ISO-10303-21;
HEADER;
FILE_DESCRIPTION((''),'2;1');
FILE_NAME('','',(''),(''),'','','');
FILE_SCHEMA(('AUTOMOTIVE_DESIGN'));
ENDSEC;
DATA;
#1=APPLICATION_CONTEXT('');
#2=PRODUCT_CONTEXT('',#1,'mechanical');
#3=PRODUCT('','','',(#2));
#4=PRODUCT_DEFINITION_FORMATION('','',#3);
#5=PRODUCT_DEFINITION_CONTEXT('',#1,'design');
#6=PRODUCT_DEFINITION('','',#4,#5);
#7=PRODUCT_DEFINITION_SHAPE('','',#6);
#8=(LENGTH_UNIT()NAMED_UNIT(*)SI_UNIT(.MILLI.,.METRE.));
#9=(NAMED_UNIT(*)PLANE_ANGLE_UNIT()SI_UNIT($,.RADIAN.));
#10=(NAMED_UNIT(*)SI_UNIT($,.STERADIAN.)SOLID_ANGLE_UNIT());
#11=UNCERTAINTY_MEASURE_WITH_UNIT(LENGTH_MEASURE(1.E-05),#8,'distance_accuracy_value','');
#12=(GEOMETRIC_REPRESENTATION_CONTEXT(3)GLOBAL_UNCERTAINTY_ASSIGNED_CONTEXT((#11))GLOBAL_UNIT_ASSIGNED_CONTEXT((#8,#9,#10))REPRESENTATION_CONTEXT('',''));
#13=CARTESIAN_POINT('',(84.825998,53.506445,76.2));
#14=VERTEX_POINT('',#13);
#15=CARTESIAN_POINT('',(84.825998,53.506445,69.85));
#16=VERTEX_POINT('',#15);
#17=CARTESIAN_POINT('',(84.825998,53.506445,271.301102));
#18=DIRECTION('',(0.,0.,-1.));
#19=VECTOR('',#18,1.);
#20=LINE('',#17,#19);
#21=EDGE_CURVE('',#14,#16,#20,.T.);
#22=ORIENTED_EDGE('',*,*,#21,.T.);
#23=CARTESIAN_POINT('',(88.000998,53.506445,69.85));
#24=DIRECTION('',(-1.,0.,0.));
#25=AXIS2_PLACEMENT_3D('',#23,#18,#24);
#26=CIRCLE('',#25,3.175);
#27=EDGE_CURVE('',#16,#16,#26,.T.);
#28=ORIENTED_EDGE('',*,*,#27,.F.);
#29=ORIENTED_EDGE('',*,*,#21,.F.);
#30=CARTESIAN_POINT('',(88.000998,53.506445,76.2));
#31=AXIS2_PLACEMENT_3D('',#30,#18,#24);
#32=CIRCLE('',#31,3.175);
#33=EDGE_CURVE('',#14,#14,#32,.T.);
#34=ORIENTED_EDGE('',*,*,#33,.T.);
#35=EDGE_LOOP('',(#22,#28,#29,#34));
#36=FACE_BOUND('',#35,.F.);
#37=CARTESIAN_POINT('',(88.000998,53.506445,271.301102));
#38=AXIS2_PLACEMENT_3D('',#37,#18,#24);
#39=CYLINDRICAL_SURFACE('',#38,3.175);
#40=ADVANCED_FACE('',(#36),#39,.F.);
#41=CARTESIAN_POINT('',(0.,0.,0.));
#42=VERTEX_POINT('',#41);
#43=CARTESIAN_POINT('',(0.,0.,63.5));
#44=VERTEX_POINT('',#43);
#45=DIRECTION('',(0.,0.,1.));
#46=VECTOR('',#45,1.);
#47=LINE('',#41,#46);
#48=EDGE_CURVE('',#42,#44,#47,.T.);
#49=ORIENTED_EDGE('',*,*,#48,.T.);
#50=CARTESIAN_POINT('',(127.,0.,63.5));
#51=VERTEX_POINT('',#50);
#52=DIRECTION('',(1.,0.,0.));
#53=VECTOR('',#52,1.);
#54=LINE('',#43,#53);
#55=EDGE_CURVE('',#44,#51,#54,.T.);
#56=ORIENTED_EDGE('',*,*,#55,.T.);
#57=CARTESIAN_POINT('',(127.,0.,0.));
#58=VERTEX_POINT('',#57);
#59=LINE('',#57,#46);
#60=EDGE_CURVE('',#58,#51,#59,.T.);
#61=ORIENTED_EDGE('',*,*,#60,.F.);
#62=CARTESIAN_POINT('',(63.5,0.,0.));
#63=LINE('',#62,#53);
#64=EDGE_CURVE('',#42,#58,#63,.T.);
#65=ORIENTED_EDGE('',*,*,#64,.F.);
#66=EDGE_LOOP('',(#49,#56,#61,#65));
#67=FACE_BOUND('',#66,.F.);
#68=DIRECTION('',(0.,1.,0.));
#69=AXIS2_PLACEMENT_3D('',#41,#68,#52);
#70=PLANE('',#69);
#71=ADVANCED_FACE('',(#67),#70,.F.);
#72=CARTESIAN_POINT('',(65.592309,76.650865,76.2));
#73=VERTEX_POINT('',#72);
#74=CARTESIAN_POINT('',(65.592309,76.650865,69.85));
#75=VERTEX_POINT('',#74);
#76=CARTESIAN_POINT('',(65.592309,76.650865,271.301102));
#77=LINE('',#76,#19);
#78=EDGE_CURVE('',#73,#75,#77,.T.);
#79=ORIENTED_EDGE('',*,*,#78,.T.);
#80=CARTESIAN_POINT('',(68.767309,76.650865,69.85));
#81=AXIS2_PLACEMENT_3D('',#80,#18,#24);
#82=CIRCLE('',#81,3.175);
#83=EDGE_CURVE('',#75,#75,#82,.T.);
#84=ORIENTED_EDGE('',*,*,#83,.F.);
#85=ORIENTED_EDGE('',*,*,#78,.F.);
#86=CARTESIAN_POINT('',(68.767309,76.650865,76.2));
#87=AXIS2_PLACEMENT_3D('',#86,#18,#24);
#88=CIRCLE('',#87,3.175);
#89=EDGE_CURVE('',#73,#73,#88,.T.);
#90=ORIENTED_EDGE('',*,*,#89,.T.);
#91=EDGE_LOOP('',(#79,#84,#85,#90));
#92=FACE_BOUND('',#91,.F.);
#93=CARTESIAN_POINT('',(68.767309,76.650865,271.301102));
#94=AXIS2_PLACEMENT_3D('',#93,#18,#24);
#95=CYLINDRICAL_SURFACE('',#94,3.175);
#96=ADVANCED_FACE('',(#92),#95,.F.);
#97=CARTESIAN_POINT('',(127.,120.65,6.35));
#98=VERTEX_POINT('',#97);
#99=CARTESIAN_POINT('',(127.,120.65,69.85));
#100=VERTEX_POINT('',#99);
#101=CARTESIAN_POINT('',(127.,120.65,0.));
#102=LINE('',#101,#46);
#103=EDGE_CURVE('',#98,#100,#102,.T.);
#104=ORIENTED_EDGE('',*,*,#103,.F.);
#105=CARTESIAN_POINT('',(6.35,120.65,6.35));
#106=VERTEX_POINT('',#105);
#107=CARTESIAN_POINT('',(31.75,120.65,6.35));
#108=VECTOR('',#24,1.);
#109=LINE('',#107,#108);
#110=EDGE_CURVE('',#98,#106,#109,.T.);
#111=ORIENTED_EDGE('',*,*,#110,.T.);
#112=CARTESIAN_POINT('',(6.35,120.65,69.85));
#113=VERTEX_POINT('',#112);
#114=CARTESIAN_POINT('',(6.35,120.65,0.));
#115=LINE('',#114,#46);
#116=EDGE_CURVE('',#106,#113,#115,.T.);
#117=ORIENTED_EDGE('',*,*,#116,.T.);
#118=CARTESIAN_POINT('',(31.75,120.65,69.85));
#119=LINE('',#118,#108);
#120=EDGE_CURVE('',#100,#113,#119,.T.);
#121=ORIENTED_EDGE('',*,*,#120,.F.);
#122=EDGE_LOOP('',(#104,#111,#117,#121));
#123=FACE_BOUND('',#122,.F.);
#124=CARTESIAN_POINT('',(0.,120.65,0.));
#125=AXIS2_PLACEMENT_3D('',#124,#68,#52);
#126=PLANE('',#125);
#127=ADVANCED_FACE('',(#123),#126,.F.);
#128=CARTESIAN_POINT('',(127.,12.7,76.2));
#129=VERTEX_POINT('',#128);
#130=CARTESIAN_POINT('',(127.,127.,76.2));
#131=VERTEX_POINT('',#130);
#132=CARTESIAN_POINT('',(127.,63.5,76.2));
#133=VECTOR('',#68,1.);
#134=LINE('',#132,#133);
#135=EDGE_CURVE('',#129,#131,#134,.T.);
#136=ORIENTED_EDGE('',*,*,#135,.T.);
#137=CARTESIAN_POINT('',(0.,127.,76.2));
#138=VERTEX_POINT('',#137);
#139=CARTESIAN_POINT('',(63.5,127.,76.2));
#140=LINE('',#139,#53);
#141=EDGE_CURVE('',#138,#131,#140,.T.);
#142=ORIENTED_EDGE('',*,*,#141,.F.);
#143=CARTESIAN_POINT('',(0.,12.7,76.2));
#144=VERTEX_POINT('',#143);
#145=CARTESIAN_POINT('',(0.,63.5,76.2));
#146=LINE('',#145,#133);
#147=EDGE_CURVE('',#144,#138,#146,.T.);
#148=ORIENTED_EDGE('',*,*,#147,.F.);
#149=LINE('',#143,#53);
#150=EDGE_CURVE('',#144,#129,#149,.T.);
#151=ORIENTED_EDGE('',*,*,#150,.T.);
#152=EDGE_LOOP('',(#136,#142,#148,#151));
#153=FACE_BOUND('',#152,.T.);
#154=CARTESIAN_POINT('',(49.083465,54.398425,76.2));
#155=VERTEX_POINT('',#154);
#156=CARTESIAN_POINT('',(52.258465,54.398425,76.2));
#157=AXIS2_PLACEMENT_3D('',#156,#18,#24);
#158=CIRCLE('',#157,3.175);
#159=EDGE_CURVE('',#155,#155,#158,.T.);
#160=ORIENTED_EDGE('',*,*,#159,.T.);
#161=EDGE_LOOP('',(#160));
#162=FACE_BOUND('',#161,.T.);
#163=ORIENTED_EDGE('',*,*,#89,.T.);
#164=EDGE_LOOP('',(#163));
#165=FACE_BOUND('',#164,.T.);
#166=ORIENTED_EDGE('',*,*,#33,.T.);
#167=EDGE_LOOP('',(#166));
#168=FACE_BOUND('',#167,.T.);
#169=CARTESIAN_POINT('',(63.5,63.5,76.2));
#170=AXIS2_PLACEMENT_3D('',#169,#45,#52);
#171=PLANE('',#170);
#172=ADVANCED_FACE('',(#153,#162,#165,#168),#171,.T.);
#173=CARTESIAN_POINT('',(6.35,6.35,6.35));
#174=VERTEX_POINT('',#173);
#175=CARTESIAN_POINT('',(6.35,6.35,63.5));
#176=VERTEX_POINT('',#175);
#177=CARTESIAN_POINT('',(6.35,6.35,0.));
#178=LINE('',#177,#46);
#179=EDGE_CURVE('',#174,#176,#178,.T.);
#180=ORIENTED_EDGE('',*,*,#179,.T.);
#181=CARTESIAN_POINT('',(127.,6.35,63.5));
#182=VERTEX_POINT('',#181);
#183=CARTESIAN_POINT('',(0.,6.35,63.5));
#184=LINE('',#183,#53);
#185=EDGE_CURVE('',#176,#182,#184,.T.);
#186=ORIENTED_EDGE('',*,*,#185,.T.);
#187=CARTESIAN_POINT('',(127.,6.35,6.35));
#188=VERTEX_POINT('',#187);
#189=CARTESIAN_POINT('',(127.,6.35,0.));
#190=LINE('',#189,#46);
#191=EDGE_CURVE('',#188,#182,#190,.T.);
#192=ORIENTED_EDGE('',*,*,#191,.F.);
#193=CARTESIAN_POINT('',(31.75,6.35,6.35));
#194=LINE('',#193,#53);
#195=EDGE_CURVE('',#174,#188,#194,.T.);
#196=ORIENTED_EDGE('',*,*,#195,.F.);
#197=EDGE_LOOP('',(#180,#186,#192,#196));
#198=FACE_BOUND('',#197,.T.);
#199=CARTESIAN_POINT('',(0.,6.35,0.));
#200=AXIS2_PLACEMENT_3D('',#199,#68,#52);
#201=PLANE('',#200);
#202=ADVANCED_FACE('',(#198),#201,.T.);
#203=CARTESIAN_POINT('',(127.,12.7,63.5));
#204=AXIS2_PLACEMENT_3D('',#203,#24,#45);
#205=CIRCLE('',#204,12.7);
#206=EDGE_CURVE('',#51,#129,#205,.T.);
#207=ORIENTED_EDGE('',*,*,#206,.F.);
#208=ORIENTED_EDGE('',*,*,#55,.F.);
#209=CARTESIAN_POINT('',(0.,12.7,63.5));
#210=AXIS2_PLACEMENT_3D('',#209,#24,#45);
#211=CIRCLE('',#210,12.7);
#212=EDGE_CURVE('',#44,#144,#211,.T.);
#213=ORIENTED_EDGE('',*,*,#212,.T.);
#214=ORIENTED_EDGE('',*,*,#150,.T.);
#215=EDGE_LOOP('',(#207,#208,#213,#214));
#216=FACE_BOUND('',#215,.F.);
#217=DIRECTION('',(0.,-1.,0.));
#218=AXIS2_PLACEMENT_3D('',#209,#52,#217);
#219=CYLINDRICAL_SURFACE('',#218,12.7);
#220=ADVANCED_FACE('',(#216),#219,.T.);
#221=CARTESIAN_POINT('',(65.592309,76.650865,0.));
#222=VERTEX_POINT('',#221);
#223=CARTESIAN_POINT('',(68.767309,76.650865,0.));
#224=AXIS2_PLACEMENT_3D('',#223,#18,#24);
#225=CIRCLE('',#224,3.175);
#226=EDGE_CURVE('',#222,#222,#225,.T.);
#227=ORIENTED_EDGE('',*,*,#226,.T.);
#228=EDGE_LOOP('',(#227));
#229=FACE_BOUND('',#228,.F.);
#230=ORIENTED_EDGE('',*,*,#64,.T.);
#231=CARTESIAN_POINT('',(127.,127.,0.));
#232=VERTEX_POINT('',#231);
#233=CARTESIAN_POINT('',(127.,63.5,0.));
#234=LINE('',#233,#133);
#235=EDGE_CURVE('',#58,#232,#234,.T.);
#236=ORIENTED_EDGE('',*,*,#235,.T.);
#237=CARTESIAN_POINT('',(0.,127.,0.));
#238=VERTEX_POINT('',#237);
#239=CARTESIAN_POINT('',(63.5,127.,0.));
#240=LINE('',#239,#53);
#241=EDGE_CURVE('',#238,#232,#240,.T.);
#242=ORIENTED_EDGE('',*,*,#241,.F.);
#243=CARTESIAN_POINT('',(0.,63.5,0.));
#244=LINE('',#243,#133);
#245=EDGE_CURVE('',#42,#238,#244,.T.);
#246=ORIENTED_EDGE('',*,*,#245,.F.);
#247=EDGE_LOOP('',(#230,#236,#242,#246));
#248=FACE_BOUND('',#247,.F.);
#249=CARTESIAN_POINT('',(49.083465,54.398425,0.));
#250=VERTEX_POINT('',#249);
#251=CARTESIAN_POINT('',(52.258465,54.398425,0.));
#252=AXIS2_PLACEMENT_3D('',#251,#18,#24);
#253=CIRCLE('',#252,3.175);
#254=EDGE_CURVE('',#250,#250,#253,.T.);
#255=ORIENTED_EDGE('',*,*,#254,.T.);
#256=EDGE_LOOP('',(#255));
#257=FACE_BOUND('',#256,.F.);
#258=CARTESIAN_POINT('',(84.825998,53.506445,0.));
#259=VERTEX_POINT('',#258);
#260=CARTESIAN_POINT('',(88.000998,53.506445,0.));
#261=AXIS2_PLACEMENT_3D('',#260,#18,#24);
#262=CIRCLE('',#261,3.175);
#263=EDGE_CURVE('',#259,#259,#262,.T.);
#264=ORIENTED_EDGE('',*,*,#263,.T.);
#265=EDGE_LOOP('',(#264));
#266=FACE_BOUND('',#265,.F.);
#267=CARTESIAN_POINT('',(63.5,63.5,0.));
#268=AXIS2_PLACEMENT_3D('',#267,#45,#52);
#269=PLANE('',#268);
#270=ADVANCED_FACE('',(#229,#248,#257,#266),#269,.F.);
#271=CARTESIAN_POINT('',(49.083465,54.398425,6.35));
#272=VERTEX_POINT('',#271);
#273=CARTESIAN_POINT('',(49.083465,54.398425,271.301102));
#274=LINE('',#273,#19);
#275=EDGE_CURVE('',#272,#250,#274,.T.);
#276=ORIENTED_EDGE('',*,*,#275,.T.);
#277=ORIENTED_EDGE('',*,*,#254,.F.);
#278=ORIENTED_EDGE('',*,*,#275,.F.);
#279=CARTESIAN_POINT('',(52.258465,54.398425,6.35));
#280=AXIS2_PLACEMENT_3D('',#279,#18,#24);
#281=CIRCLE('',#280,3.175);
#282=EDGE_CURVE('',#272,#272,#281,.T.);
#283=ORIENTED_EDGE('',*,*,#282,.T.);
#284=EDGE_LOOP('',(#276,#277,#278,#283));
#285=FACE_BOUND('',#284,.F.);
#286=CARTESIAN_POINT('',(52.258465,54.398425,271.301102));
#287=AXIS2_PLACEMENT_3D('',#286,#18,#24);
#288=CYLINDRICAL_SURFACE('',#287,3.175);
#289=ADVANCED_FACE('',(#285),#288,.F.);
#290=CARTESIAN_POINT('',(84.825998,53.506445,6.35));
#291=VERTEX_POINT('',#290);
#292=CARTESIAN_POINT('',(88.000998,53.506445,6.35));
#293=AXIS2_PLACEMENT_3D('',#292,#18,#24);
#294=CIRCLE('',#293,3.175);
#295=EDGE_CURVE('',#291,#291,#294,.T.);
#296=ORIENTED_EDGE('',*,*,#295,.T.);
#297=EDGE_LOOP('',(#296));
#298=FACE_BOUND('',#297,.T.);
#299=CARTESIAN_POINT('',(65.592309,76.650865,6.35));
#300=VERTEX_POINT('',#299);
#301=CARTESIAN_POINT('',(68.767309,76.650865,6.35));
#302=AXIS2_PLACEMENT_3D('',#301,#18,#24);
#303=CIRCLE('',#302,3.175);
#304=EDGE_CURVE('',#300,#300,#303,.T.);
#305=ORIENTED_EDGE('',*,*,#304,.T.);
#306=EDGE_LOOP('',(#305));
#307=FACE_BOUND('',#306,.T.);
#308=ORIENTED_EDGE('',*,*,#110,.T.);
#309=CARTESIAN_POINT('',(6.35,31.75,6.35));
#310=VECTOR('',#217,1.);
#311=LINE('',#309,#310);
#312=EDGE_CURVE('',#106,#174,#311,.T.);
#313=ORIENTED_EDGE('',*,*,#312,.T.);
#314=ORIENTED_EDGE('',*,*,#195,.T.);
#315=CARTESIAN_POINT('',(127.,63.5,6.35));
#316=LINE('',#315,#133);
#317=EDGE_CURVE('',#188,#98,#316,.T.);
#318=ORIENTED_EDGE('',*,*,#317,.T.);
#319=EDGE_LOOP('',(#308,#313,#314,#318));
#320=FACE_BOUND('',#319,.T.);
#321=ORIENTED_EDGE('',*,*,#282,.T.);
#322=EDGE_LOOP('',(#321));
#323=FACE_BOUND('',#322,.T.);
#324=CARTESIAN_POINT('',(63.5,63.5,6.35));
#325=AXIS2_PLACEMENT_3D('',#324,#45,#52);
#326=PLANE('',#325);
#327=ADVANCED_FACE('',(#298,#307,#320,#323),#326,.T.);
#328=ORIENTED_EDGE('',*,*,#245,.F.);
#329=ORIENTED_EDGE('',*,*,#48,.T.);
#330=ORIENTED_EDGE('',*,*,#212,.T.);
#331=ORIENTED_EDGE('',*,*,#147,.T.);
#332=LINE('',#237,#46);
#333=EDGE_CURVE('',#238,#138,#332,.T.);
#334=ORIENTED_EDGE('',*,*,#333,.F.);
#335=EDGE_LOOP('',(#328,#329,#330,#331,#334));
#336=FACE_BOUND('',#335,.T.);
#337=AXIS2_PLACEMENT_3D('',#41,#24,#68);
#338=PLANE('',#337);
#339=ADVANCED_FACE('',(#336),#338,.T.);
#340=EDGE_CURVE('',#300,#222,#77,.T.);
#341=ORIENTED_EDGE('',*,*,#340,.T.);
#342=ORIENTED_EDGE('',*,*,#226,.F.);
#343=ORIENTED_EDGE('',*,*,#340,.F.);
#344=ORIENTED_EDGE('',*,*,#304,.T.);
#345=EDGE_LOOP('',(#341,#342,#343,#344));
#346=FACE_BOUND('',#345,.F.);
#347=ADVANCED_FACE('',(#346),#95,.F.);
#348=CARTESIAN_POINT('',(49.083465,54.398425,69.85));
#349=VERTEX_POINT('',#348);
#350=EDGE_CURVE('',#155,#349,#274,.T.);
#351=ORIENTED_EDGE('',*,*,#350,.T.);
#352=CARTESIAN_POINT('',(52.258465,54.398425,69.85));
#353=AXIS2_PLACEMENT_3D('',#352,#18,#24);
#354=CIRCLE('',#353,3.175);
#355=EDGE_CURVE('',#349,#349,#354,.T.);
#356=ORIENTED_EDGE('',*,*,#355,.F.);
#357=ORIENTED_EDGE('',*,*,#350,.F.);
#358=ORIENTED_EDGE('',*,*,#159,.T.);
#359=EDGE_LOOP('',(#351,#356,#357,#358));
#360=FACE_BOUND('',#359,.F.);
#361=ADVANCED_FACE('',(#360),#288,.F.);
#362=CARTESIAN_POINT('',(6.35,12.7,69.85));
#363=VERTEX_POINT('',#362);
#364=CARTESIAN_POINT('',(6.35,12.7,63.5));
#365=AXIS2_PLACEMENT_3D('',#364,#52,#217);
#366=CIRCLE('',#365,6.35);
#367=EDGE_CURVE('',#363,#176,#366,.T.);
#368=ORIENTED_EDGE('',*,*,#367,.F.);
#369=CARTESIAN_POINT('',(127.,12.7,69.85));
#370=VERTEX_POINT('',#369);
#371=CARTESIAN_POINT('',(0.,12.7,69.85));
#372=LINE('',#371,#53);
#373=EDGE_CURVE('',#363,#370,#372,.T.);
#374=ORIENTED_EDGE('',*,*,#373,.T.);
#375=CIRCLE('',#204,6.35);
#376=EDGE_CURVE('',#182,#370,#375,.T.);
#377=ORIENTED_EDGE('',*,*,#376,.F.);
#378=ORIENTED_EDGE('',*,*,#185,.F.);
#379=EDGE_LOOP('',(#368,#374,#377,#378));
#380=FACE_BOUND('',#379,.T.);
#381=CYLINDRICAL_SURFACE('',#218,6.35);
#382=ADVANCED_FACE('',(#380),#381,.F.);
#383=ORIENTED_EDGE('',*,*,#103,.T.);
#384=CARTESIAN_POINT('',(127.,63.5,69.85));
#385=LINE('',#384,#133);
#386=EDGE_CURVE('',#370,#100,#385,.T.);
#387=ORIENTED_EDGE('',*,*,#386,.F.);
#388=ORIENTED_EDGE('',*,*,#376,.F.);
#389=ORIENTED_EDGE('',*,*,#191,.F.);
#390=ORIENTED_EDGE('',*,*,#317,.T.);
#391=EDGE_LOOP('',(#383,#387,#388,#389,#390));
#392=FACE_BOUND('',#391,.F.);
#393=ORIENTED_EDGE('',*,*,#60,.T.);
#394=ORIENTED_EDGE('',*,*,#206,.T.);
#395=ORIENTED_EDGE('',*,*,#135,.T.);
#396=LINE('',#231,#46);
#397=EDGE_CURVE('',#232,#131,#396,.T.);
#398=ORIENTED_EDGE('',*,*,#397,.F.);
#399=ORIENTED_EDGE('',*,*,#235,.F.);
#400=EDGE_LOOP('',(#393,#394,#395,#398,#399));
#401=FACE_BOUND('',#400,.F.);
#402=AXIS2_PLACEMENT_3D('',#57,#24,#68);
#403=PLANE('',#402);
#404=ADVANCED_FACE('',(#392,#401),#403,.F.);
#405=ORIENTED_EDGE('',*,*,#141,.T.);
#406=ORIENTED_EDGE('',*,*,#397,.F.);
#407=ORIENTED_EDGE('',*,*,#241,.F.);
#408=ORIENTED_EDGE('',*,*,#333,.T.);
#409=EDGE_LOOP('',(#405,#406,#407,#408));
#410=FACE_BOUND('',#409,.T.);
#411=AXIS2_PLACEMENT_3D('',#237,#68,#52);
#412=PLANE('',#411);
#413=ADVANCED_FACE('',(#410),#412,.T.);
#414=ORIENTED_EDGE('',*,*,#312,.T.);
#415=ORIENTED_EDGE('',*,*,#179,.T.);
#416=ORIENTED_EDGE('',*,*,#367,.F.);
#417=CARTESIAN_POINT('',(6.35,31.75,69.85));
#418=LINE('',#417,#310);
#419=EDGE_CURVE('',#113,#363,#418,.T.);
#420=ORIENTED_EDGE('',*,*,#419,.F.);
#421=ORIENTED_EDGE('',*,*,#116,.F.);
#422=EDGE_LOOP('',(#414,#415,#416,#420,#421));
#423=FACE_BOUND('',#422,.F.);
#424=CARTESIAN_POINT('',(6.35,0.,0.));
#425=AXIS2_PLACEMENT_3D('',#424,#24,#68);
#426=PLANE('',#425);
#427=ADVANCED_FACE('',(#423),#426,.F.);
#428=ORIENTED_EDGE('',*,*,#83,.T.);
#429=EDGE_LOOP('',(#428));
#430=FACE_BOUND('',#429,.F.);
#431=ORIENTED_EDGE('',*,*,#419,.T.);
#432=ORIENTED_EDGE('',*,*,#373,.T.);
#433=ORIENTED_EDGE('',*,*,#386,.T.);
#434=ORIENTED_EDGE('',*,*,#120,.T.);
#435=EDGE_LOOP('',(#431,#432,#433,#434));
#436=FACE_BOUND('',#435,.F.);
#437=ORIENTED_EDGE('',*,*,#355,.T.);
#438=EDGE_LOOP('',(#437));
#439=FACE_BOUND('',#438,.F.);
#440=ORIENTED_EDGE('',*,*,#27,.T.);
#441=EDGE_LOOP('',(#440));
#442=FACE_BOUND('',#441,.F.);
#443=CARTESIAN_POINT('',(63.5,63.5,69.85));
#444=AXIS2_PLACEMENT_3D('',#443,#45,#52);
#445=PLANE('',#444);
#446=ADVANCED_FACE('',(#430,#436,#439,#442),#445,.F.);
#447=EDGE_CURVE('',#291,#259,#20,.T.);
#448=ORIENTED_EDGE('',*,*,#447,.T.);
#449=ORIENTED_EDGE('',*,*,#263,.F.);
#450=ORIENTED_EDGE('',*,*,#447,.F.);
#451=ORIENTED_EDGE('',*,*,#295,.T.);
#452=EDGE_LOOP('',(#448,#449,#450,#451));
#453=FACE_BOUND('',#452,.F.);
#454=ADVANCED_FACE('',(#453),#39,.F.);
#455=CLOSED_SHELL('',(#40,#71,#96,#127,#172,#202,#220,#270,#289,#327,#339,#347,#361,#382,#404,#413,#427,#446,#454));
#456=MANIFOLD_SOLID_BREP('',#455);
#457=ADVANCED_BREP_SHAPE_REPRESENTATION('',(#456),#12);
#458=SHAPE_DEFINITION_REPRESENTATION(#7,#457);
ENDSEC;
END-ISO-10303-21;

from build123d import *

# Parameters (mm, degrees)
F0_W     = 127
F0_H     = 127
F1_DEPTH = 76.2
F2_R     = 12.7
F3_T     = -6.35
F5_D     = 6.35


with BuildPart() as f1:
    # F0 (on Top) → F1 (new body)
    with BuildSketch(Plane.XY):
        with Locations((63.5, 63.5)):
            Rectangle(F0_W, F0_H)
    extrude(amount=F1_DEPTH)

    # F2
    f2_edges = [f1.edges().sort_by_distance(p)[0] for p in [
        (63.5, 0, 76.2),
    ]]
    fillet(f2_edges, radius=F2_R)

    # F3
    f3_openings = [f1.faces().sort_by_distance(p)[0] for p in [
        (127, 63.717753, 37.973421),
    ]]
    offset(amount=F3_T, openings=f3_openings)

    # F5 (through all)
    with Locations(Plane.XY.offset(76.2)):
        with Locations((52.258465, 54.398425), (68.767309, 76.650865), (88.000998, 53.506445)):
            Hole(F5_D / 2)


solid = f1.part
